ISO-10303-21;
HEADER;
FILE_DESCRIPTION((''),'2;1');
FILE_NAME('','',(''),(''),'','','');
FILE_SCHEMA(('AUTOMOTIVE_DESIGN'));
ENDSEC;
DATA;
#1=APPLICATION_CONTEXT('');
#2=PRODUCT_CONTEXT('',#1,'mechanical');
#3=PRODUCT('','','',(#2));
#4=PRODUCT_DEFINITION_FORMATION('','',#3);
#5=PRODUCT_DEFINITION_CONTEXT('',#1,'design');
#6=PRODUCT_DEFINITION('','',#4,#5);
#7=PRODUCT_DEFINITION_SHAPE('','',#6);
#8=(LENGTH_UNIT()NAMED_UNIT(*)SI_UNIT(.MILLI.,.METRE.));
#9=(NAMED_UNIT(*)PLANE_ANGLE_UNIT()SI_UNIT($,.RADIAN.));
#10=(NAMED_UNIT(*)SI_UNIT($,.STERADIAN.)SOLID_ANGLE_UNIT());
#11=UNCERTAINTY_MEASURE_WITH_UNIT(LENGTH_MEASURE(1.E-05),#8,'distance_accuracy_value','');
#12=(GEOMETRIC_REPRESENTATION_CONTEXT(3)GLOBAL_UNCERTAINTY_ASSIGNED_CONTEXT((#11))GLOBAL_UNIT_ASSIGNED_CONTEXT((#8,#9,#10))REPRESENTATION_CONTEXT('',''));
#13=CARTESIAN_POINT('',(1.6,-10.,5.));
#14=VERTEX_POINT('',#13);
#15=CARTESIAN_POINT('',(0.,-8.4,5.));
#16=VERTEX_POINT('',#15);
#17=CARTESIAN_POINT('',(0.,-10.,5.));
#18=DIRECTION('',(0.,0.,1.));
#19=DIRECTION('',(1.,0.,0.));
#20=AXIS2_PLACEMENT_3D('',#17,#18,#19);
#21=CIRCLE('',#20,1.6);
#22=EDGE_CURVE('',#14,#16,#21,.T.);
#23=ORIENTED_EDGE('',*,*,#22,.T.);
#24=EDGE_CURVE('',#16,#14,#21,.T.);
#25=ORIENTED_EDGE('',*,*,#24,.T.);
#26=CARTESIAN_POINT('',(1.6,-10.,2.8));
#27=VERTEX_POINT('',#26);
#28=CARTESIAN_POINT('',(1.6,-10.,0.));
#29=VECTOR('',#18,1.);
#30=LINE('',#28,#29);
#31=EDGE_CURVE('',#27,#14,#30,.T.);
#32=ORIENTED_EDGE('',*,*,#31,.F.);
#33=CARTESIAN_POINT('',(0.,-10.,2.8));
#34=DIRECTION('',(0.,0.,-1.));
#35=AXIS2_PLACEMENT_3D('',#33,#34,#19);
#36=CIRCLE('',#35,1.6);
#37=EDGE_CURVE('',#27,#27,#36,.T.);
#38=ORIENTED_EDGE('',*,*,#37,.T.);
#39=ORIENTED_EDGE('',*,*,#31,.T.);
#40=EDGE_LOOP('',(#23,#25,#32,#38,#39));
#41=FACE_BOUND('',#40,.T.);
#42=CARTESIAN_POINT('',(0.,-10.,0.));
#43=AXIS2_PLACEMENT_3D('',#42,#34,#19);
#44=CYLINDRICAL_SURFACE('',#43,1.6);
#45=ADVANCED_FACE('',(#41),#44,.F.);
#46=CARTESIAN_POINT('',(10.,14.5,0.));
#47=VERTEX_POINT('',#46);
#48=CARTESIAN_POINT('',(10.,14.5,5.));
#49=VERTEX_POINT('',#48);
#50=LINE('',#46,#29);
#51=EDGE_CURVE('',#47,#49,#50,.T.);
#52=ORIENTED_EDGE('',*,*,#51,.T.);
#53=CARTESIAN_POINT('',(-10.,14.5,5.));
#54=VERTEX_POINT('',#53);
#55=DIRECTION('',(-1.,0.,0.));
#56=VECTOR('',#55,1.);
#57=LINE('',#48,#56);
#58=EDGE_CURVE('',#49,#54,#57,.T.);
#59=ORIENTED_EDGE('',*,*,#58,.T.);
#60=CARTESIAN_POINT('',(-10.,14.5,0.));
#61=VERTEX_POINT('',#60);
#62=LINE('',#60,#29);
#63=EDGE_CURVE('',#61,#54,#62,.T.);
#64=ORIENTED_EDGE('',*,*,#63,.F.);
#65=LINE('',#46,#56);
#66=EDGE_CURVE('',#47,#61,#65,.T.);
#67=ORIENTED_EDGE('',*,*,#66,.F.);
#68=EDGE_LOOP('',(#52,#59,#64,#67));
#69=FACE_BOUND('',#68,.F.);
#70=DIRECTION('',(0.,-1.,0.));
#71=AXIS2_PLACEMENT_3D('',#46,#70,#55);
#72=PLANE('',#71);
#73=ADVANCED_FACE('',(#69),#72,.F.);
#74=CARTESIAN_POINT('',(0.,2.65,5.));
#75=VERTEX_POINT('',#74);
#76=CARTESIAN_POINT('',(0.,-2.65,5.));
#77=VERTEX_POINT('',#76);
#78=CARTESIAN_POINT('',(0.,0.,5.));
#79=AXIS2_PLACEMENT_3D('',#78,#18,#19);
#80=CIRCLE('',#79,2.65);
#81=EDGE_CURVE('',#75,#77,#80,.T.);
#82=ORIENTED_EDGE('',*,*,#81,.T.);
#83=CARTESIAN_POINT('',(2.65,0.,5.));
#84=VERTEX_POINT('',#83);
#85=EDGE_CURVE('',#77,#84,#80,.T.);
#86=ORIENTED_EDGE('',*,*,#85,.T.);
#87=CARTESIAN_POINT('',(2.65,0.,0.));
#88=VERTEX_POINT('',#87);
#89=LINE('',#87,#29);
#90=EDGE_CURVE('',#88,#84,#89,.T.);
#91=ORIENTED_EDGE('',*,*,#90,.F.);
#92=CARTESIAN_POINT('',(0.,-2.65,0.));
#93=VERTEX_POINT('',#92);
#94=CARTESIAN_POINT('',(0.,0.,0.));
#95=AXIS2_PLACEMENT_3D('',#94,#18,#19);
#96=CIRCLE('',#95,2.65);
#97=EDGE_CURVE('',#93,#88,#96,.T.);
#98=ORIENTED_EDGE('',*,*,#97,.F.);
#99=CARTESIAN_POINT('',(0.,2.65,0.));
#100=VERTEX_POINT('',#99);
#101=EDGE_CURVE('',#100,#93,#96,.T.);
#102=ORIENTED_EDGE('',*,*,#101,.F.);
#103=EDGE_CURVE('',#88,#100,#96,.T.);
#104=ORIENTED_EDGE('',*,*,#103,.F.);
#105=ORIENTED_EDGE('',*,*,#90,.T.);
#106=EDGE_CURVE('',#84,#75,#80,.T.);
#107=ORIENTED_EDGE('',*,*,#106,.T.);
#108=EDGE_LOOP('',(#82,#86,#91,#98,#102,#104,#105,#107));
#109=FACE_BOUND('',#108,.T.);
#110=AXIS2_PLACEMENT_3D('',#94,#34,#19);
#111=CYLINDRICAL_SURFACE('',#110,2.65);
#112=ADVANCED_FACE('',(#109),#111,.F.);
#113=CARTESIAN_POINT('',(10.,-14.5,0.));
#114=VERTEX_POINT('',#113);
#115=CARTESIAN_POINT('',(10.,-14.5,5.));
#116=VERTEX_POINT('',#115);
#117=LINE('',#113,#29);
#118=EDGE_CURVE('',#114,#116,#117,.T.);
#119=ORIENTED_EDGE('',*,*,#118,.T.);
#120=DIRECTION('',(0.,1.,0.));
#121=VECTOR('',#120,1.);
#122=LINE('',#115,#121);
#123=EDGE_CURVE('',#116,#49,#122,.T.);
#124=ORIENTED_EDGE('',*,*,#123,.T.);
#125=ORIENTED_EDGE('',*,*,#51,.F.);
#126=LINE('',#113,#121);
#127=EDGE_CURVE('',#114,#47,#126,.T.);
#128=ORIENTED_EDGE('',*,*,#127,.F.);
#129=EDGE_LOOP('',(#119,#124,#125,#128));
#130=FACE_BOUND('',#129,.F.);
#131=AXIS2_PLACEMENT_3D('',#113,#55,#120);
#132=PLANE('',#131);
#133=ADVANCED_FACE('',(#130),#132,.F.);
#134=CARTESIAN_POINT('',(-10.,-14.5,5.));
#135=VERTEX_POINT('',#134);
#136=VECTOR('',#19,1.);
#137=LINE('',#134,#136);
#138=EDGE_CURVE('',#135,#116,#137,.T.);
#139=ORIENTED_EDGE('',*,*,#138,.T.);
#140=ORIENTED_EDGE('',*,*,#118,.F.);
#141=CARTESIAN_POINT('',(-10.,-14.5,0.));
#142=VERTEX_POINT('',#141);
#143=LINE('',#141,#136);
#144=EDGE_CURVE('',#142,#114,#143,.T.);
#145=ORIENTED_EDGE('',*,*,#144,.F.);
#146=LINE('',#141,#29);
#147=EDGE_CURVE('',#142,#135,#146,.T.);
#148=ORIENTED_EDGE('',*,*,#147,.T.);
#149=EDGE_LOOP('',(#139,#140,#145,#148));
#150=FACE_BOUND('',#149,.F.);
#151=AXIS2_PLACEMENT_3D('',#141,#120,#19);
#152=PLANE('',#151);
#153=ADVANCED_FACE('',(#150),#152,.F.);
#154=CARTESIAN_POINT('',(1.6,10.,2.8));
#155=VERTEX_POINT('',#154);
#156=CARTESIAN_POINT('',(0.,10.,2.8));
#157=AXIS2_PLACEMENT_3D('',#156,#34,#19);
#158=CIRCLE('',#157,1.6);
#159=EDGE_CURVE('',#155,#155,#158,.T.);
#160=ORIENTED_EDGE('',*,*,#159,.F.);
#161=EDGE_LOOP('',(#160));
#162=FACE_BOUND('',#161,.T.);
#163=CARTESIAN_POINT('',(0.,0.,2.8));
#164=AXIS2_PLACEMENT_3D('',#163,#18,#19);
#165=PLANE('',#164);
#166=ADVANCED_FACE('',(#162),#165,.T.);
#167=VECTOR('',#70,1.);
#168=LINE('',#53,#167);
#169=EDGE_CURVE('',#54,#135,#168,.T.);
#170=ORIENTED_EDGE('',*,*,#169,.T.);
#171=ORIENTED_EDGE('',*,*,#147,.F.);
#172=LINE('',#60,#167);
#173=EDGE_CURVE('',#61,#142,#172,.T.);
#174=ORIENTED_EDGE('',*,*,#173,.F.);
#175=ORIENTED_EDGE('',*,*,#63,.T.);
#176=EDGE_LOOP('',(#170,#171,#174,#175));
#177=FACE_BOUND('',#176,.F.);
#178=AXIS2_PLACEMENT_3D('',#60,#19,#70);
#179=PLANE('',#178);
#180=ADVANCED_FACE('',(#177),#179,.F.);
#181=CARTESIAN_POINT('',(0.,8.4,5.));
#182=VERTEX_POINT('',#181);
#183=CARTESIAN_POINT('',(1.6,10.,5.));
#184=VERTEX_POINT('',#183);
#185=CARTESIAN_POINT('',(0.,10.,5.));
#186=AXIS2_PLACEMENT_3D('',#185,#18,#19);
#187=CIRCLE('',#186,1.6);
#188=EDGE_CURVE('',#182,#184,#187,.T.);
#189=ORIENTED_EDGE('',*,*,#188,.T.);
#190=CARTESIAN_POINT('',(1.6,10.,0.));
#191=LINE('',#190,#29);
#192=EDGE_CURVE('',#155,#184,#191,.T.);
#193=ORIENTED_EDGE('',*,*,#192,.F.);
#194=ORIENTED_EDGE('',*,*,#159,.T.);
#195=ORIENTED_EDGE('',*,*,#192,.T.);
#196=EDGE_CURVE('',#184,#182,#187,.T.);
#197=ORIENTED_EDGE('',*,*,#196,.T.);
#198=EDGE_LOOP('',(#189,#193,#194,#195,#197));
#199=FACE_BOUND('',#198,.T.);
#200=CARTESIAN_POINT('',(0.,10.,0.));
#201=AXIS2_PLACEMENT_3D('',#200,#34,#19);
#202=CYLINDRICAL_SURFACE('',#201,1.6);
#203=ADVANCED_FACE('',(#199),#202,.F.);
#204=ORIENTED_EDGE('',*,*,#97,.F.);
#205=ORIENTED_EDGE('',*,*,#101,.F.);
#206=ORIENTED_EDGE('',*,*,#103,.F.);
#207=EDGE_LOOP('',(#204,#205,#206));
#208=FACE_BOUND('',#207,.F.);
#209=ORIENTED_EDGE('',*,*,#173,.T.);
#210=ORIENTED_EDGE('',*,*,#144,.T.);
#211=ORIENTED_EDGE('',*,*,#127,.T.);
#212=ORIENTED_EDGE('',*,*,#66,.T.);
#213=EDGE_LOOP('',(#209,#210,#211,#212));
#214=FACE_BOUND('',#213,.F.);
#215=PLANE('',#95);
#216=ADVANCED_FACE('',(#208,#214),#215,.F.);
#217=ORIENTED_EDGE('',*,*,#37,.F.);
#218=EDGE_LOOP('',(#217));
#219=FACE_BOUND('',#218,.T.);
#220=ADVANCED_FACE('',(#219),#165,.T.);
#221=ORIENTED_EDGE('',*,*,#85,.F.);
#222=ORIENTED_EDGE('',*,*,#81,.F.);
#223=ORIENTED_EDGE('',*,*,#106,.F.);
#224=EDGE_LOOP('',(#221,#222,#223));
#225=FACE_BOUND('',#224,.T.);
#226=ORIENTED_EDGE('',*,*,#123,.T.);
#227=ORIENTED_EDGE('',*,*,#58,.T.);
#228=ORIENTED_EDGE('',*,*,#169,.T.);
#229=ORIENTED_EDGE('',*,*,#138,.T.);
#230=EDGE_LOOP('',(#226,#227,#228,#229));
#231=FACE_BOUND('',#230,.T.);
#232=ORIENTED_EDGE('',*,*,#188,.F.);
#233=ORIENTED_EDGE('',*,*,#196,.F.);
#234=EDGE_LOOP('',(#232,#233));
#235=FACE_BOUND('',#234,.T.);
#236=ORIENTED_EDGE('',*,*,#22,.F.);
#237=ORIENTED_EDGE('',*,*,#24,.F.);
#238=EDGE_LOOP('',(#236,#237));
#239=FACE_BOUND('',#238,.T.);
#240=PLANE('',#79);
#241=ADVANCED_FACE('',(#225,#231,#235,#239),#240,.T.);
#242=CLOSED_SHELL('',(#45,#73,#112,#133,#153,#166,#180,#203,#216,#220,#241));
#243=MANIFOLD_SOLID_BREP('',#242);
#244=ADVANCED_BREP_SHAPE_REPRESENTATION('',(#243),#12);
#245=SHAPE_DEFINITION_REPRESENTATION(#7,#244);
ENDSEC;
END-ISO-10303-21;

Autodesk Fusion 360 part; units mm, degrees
sketch "스케치1" plane through (0, 0, 0) normal (0, 0, 1) x (1, 0, 0)
  line L0 (10, 14.5) -> (-10, 14.5)
  line L1 (-10, 14.5) -> (-10, -14.5)
  line L2 (-10, -14.5) -> (10, -14.5)
  line L3 (10, -14.5) -> (10, 14.5)
  line L4 (10, 14.5) -> (-10, -14.5) construction
  line L5 (-10, 14.5) -> (10, -14.5) construction
  circle A0 centre (0, 0) radius 2.65
  line L6 (0, 0) -> (0, 10)
  circle A1 centre (0, 10) radius 1.6
  line L7 (0, 0) -> (0, -10)
  circle A2 centre (0, -10) radius 1.6
  dimension "d1" = 20
  dimension "d2" = 29
  dimension "d3" = 5.3
  dimension "d4" = 10
  dimension "d5" = 3.2
  dimension "d6" = 10
  dimension "d7" = 3.2
extrude "돌출1" add sketch "스케치1" along normal blind 5
extrude "돌출2" add sketch "스케치1" along normal blind 2.8 contours A2 | A1
